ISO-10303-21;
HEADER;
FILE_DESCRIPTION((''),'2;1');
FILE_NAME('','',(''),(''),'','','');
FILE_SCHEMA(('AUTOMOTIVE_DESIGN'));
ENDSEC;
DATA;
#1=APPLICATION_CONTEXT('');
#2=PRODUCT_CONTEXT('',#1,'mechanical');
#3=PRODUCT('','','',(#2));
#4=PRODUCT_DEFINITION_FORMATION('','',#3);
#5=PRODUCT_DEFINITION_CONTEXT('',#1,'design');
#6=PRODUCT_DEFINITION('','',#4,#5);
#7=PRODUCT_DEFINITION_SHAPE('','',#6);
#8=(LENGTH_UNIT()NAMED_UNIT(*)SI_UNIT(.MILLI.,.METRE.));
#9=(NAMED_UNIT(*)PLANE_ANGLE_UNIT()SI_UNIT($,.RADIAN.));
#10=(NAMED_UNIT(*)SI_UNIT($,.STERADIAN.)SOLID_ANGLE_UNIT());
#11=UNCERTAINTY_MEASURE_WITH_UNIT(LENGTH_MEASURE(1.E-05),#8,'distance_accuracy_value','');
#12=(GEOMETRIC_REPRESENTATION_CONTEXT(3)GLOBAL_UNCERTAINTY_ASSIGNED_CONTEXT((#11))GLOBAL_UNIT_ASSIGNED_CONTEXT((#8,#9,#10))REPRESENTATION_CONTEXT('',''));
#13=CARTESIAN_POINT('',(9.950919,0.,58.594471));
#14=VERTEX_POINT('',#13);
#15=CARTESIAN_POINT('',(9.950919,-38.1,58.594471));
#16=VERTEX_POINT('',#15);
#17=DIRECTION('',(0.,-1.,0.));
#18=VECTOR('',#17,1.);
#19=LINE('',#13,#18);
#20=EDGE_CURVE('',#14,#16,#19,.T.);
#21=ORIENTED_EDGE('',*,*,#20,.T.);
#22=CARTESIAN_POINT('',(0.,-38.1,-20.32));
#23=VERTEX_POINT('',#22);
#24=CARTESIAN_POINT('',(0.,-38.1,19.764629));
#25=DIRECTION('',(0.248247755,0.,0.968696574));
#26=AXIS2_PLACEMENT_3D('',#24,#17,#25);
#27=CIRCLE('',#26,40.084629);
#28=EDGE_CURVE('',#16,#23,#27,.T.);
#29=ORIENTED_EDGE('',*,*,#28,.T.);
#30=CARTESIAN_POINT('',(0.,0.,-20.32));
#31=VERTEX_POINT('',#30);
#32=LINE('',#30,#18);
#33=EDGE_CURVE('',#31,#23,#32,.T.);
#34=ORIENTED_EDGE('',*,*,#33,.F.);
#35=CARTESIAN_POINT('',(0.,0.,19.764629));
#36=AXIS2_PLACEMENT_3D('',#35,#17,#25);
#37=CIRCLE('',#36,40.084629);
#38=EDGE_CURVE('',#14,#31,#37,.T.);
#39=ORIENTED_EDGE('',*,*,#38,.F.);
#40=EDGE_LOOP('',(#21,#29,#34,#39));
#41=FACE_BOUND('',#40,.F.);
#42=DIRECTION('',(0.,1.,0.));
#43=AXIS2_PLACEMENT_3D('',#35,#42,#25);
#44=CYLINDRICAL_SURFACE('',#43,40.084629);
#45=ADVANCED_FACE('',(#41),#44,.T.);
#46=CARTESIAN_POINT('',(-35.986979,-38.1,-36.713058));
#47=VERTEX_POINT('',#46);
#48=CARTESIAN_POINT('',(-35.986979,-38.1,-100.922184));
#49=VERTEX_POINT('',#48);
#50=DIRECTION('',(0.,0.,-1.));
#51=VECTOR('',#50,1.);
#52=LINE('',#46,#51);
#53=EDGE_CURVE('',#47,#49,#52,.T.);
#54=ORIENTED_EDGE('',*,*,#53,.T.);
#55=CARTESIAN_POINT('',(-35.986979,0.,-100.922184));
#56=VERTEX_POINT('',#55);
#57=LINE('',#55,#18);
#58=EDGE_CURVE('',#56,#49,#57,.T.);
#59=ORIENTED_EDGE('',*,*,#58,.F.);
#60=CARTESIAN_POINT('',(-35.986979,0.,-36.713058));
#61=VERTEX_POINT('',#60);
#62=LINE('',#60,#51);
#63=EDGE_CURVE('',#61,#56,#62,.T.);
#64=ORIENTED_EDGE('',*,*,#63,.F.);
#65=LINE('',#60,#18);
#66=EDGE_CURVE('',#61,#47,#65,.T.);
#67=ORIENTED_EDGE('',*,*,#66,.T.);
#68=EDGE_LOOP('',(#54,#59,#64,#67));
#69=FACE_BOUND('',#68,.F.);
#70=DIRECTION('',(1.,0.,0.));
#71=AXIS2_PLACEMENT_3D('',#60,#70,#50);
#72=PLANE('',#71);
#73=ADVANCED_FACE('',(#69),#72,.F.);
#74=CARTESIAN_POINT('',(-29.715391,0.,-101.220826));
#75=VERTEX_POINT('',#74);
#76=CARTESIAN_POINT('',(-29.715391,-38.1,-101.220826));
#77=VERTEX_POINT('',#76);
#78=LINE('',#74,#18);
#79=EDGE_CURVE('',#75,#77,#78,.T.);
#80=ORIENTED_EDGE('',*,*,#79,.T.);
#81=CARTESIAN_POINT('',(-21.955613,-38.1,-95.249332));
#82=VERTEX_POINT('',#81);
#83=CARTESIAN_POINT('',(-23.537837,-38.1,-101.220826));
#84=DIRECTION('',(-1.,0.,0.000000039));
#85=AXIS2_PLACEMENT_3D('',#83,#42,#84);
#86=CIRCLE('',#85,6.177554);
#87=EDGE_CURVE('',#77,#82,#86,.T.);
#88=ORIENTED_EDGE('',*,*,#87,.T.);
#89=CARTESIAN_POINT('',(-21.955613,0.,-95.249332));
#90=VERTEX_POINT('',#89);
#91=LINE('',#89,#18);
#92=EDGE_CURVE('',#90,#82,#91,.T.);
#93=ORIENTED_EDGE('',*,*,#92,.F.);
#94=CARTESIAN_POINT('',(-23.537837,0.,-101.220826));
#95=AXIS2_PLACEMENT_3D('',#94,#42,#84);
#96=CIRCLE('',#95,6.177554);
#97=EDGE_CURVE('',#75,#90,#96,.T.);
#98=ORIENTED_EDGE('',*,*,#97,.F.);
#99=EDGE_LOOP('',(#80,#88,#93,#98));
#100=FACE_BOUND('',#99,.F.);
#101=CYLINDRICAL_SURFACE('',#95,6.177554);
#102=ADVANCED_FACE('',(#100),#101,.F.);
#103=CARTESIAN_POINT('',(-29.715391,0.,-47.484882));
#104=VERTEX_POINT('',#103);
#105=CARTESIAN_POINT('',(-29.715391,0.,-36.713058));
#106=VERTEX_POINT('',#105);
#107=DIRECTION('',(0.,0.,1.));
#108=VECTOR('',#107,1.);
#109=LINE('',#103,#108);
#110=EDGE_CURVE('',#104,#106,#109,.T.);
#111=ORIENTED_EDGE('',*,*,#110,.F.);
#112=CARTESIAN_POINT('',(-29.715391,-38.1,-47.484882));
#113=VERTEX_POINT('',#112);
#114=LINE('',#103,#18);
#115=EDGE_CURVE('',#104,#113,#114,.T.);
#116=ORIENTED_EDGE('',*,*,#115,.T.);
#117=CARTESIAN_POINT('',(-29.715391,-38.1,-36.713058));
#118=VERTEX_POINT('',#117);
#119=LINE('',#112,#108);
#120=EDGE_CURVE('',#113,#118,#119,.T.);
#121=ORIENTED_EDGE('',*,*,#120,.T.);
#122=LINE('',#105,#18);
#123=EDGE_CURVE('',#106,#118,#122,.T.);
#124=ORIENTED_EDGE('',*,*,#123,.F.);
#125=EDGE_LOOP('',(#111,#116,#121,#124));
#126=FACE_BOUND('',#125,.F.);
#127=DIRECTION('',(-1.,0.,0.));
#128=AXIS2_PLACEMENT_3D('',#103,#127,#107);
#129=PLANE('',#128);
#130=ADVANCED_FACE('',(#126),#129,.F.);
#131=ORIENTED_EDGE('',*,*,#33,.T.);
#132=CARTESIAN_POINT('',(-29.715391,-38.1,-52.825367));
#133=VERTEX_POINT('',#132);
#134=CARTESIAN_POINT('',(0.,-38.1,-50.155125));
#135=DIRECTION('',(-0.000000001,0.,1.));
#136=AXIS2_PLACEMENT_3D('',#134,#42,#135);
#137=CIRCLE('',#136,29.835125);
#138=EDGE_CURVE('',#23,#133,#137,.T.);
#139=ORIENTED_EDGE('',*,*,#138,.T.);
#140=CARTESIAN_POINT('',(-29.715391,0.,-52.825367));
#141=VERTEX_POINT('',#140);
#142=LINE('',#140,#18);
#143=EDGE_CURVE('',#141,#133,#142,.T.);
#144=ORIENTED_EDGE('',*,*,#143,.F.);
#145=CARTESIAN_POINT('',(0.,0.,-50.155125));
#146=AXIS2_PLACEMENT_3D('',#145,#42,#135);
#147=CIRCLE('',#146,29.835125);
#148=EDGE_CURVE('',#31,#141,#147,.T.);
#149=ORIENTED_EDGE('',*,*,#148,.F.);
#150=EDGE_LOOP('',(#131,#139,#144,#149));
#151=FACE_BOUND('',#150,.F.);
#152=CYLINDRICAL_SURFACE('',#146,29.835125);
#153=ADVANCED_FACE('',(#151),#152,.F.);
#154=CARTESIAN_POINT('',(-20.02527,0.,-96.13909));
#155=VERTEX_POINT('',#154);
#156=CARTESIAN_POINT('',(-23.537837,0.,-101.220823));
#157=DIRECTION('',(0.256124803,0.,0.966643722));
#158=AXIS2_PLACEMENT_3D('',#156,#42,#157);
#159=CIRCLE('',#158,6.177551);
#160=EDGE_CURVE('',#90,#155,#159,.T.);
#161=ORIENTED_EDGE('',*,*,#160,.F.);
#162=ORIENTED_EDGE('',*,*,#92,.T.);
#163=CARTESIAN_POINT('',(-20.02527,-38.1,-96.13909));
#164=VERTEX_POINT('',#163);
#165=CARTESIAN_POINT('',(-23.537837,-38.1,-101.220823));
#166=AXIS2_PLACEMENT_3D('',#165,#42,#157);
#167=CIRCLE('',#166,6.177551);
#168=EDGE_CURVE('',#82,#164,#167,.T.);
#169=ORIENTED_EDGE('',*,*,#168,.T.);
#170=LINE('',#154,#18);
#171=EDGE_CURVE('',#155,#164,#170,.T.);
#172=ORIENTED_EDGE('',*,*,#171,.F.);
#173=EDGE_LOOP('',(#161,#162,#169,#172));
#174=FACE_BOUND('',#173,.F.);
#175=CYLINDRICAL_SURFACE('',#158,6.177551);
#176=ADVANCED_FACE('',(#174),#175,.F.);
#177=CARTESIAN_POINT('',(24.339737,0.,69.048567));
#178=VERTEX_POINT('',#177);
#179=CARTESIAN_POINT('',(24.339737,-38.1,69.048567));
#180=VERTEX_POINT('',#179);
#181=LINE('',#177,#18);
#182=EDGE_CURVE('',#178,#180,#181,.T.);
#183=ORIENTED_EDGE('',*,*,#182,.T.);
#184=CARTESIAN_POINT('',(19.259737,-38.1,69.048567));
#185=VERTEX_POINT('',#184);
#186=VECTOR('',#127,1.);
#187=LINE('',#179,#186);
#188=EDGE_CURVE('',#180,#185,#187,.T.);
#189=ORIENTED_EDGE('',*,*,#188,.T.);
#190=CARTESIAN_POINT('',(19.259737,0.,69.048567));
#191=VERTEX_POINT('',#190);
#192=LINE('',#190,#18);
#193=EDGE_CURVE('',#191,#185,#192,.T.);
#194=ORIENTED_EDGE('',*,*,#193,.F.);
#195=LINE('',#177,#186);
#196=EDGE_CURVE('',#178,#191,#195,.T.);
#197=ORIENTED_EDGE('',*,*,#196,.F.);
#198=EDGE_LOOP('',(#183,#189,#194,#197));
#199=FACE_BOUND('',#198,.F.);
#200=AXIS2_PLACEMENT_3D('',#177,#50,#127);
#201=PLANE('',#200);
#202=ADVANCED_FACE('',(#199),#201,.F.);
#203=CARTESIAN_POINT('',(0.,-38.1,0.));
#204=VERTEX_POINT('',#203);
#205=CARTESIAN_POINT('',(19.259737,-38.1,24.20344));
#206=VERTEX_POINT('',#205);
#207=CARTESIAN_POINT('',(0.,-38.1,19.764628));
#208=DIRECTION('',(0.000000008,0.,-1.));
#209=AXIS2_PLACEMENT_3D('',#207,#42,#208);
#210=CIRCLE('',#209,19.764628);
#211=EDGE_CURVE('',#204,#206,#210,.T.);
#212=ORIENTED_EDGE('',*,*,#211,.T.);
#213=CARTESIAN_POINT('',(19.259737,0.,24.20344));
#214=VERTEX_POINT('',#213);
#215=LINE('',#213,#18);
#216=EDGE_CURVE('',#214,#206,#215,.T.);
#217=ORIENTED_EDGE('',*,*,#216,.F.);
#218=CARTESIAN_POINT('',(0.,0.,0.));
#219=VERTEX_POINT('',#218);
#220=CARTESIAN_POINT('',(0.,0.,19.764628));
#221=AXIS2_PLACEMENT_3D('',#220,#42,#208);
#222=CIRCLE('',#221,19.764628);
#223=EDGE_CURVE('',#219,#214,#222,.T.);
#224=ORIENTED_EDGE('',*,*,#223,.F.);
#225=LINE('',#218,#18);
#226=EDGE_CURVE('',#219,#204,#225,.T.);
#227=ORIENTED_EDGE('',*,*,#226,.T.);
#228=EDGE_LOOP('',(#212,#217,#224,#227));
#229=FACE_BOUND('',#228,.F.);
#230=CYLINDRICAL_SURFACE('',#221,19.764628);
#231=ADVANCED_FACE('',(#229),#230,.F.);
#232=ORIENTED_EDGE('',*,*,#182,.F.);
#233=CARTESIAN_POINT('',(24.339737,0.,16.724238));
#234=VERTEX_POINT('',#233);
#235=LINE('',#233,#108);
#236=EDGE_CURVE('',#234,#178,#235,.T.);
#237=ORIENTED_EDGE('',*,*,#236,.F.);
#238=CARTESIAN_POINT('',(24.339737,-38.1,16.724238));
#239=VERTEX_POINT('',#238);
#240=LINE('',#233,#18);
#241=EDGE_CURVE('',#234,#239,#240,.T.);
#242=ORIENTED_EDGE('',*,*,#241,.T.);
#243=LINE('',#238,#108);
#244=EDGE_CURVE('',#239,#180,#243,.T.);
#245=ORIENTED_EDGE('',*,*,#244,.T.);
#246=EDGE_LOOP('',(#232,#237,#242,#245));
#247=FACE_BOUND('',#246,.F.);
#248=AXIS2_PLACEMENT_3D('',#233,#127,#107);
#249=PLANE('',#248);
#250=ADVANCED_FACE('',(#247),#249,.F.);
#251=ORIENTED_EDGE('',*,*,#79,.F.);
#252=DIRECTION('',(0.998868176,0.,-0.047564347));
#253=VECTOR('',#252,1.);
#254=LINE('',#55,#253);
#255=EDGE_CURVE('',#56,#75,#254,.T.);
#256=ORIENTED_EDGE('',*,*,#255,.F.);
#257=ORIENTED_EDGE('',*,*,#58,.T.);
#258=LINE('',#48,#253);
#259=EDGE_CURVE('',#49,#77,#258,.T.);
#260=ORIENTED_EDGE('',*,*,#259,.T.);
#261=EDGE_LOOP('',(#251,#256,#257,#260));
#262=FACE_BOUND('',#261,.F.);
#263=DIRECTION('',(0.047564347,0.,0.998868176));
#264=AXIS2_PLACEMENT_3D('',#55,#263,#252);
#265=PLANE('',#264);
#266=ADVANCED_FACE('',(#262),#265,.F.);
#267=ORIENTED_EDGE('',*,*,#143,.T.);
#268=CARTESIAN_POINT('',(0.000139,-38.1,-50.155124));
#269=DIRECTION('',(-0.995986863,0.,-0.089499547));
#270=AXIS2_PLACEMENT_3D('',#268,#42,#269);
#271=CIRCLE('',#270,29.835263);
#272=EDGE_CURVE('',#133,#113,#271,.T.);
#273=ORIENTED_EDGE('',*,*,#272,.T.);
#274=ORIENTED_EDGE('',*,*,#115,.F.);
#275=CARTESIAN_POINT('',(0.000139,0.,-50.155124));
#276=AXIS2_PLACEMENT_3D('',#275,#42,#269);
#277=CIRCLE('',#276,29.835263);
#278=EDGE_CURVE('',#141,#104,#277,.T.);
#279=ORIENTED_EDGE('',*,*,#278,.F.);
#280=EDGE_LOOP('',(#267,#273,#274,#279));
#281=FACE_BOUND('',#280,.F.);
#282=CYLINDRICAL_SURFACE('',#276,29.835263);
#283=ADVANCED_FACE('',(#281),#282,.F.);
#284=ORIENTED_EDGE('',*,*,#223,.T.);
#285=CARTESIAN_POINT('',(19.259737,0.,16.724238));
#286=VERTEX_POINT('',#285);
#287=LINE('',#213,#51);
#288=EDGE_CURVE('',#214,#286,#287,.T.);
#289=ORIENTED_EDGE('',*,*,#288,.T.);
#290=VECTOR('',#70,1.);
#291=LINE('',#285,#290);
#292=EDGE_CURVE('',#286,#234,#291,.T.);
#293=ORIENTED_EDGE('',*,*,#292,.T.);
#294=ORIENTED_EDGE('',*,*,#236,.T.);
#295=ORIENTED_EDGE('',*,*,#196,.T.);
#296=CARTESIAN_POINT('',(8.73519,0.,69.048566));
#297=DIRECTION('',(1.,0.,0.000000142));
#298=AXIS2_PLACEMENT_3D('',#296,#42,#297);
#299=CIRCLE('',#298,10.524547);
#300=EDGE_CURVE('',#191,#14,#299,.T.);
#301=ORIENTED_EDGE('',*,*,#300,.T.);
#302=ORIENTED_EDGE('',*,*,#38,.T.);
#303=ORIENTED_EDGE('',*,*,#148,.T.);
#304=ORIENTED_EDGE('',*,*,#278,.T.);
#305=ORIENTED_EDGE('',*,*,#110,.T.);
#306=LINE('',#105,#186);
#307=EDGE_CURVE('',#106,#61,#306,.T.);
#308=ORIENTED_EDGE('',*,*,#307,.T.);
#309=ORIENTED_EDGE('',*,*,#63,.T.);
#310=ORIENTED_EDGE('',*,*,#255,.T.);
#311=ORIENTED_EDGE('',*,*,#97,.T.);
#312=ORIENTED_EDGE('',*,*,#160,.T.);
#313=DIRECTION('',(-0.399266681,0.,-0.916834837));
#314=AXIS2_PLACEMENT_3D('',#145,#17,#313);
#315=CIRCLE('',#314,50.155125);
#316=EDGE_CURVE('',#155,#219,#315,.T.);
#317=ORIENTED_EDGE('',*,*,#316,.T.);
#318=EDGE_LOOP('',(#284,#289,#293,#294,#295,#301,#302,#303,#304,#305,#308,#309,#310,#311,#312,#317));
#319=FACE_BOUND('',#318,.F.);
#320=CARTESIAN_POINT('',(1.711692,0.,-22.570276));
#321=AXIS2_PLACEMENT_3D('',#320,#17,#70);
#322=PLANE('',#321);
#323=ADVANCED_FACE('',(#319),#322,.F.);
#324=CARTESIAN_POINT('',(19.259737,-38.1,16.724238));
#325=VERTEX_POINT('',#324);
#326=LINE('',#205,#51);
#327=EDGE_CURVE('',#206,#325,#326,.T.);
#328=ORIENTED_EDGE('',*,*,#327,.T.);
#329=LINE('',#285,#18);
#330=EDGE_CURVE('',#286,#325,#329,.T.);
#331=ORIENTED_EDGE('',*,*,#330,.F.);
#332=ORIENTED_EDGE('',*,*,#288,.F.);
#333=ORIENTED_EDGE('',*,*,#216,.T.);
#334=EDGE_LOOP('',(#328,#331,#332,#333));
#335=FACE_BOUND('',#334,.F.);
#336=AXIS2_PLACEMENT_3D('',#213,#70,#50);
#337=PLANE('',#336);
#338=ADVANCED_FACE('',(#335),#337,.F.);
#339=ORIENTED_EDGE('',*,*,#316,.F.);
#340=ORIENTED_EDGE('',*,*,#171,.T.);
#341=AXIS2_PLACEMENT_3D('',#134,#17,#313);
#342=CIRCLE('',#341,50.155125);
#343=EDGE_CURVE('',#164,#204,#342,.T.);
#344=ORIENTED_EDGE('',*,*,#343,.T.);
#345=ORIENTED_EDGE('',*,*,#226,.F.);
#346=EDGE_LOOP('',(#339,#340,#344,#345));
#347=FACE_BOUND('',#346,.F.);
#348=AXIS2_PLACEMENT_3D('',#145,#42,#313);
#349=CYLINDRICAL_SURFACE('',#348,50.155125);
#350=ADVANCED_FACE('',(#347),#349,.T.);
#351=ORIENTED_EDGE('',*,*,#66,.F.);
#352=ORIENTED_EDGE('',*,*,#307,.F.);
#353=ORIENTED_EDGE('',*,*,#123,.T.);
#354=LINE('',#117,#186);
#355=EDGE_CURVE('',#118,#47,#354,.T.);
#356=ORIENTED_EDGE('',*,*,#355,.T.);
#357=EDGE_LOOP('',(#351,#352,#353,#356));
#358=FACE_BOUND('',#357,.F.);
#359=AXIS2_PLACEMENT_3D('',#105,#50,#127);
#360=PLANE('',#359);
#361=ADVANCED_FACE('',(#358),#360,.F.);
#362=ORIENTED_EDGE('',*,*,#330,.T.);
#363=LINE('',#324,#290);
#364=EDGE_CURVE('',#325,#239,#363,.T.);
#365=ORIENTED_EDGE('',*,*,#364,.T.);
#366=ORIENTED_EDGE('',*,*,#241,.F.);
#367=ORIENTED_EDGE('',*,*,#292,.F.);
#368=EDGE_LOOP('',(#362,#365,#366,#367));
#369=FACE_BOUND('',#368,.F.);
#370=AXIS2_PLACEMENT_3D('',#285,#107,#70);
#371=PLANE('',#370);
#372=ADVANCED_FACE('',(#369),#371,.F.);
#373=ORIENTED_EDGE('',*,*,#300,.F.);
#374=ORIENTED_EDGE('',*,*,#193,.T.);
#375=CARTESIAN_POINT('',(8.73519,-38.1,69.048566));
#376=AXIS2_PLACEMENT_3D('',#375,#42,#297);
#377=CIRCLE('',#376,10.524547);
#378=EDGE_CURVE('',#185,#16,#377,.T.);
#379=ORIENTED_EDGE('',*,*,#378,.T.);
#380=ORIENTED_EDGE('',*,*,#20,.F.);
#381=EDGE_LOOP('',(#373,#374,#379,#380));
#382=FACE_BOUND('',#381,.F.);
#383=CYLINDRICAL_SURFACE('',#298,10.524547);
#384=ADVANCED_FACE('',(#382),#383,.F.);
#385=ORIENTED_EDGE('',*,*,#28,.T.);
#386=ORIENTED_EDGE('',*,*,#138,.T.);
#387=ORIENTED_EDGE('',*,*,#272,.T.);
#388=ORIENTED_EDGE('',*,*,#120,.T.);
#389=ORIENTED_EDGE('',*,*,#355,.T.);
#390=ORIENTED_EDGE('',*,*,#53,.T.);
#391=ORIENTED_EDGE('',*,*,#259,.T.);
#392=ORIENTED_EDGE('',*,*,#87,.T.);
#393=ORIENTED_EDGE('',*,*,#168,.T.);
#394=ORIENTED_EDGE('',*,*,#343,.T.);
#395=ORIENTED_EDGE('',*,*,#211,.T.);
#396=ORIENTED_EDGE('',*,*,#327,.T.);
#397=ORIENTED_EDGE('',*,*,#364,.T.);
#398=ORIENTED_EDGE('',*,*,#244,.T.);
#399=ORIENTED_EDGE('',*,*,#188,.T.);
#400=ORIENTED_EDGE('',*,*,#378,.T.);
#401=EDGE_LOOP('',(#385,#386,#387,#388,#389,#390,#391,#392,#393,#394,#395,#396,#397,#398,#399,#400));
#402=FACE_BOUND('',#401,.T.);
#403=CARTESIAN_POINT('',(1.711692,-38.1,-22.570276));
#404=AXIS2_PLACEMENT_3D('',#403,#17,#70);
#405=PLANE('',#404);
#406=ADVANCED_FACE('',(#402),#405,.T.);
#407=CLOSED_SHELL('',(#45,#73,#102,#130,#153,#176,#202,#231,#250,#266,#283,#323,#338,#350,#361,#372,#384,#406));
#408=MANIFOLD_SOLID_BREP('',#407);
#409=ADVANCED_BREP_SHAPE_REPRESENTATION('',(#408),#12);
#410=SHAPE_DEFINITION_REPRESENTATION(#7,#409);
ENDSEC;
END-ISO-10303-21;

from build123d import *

# Parameters (mm, degrees)
F1_DEPTH = 38.1


with BuildPart() as f1:
    # F0 (on Front) → F1 (new body)
    with BuildSketch(Plane.XZ):
        with BuildLine():
            ThreePointArc((-20.02527, -96.13909), (49.101263, -60.382661), (0, 0))
            ThreePointArc((0, 0), (-15.465639, 32.071315), (19.259737, 24.20344))
            Line((19.259737, 24.20344), (19.259737, 54.919144))
            ThreePointArc((19.259737, 54.919144), (14.720483, 57.04847), (9.950919, 58.594471))
            ThreePointArc((9.950919, 58.594471), (-39.769695, 24.779488), (0, -20.32))
            ThreePointArc((0, -20.32), (22.020464, -70.285545), (-29.715391, -52.825367))
            Line((-29.715391, -52.825367), (-29.715391, -90.559729))
            ThreePointArc((-29.715391, -90.559729), (-25.941689, -93.080237), (-21.955613, -95.249332))
            ThreePointArc((-21.955613, -95.249332), (-20.951886, -95.610565), (-20.02527, -96.13909))
        make_face()
        Polygon((19.259737, 54.919144), (19.259737, 24.20344), (19.259737, 16.724238), (24.339737, 16.724238), (24.339737, 69.048567), (19.259737, 69.048567), align=None)
        with BuildLine():
            Line((-29.715391, -101.220826), (-29.715391, -90.559729))
            Line((-29.715391, -90.559729), (-29.715391, -52.825367))
            ThreePointArc((-29.715391, -52.825367), (-29.835124, -50.155124), (-29.715391, -47.484882))
            Line((-29.715391, -47.484882), (-29.715391, -36.713058))
            Line((-29.715391, -36.713058), (-35.986979, -36.713058))
            Line((-35.986979, -36.713058), (-35.986979, -100.922184))
            Line((-35.986979, -100.922184), (-29.715391, -101.220826))
        make_face()
        with BuildLine():
            ThreePointArc((-29.715391, -101.220826), (-27.305323, -96.325091), (-21.955613, -95.249332))
            ThreePointArc((-21.955613, -95.249332), (-25.941689, -93.080237), (-29.715391, -90.559729))
            Line((-29.715391, -90.559729), (-29.715391, -101.220826))
        make_face()
        with BuildLine():
            ThreePointArc((9.950919, 58.594471), (14.720483, 57.04847), (19.259737, 54.919144))
            Line((19.259737, 54.919144), (19.259737, 69.048567))
            ThreePointArc((19.259737, 69.048567), (16.59525, 62.049598), (9.950919, 58.594471))
        make_face()
    extrude(amount=F1_DEPTH)


solid = f1.part
